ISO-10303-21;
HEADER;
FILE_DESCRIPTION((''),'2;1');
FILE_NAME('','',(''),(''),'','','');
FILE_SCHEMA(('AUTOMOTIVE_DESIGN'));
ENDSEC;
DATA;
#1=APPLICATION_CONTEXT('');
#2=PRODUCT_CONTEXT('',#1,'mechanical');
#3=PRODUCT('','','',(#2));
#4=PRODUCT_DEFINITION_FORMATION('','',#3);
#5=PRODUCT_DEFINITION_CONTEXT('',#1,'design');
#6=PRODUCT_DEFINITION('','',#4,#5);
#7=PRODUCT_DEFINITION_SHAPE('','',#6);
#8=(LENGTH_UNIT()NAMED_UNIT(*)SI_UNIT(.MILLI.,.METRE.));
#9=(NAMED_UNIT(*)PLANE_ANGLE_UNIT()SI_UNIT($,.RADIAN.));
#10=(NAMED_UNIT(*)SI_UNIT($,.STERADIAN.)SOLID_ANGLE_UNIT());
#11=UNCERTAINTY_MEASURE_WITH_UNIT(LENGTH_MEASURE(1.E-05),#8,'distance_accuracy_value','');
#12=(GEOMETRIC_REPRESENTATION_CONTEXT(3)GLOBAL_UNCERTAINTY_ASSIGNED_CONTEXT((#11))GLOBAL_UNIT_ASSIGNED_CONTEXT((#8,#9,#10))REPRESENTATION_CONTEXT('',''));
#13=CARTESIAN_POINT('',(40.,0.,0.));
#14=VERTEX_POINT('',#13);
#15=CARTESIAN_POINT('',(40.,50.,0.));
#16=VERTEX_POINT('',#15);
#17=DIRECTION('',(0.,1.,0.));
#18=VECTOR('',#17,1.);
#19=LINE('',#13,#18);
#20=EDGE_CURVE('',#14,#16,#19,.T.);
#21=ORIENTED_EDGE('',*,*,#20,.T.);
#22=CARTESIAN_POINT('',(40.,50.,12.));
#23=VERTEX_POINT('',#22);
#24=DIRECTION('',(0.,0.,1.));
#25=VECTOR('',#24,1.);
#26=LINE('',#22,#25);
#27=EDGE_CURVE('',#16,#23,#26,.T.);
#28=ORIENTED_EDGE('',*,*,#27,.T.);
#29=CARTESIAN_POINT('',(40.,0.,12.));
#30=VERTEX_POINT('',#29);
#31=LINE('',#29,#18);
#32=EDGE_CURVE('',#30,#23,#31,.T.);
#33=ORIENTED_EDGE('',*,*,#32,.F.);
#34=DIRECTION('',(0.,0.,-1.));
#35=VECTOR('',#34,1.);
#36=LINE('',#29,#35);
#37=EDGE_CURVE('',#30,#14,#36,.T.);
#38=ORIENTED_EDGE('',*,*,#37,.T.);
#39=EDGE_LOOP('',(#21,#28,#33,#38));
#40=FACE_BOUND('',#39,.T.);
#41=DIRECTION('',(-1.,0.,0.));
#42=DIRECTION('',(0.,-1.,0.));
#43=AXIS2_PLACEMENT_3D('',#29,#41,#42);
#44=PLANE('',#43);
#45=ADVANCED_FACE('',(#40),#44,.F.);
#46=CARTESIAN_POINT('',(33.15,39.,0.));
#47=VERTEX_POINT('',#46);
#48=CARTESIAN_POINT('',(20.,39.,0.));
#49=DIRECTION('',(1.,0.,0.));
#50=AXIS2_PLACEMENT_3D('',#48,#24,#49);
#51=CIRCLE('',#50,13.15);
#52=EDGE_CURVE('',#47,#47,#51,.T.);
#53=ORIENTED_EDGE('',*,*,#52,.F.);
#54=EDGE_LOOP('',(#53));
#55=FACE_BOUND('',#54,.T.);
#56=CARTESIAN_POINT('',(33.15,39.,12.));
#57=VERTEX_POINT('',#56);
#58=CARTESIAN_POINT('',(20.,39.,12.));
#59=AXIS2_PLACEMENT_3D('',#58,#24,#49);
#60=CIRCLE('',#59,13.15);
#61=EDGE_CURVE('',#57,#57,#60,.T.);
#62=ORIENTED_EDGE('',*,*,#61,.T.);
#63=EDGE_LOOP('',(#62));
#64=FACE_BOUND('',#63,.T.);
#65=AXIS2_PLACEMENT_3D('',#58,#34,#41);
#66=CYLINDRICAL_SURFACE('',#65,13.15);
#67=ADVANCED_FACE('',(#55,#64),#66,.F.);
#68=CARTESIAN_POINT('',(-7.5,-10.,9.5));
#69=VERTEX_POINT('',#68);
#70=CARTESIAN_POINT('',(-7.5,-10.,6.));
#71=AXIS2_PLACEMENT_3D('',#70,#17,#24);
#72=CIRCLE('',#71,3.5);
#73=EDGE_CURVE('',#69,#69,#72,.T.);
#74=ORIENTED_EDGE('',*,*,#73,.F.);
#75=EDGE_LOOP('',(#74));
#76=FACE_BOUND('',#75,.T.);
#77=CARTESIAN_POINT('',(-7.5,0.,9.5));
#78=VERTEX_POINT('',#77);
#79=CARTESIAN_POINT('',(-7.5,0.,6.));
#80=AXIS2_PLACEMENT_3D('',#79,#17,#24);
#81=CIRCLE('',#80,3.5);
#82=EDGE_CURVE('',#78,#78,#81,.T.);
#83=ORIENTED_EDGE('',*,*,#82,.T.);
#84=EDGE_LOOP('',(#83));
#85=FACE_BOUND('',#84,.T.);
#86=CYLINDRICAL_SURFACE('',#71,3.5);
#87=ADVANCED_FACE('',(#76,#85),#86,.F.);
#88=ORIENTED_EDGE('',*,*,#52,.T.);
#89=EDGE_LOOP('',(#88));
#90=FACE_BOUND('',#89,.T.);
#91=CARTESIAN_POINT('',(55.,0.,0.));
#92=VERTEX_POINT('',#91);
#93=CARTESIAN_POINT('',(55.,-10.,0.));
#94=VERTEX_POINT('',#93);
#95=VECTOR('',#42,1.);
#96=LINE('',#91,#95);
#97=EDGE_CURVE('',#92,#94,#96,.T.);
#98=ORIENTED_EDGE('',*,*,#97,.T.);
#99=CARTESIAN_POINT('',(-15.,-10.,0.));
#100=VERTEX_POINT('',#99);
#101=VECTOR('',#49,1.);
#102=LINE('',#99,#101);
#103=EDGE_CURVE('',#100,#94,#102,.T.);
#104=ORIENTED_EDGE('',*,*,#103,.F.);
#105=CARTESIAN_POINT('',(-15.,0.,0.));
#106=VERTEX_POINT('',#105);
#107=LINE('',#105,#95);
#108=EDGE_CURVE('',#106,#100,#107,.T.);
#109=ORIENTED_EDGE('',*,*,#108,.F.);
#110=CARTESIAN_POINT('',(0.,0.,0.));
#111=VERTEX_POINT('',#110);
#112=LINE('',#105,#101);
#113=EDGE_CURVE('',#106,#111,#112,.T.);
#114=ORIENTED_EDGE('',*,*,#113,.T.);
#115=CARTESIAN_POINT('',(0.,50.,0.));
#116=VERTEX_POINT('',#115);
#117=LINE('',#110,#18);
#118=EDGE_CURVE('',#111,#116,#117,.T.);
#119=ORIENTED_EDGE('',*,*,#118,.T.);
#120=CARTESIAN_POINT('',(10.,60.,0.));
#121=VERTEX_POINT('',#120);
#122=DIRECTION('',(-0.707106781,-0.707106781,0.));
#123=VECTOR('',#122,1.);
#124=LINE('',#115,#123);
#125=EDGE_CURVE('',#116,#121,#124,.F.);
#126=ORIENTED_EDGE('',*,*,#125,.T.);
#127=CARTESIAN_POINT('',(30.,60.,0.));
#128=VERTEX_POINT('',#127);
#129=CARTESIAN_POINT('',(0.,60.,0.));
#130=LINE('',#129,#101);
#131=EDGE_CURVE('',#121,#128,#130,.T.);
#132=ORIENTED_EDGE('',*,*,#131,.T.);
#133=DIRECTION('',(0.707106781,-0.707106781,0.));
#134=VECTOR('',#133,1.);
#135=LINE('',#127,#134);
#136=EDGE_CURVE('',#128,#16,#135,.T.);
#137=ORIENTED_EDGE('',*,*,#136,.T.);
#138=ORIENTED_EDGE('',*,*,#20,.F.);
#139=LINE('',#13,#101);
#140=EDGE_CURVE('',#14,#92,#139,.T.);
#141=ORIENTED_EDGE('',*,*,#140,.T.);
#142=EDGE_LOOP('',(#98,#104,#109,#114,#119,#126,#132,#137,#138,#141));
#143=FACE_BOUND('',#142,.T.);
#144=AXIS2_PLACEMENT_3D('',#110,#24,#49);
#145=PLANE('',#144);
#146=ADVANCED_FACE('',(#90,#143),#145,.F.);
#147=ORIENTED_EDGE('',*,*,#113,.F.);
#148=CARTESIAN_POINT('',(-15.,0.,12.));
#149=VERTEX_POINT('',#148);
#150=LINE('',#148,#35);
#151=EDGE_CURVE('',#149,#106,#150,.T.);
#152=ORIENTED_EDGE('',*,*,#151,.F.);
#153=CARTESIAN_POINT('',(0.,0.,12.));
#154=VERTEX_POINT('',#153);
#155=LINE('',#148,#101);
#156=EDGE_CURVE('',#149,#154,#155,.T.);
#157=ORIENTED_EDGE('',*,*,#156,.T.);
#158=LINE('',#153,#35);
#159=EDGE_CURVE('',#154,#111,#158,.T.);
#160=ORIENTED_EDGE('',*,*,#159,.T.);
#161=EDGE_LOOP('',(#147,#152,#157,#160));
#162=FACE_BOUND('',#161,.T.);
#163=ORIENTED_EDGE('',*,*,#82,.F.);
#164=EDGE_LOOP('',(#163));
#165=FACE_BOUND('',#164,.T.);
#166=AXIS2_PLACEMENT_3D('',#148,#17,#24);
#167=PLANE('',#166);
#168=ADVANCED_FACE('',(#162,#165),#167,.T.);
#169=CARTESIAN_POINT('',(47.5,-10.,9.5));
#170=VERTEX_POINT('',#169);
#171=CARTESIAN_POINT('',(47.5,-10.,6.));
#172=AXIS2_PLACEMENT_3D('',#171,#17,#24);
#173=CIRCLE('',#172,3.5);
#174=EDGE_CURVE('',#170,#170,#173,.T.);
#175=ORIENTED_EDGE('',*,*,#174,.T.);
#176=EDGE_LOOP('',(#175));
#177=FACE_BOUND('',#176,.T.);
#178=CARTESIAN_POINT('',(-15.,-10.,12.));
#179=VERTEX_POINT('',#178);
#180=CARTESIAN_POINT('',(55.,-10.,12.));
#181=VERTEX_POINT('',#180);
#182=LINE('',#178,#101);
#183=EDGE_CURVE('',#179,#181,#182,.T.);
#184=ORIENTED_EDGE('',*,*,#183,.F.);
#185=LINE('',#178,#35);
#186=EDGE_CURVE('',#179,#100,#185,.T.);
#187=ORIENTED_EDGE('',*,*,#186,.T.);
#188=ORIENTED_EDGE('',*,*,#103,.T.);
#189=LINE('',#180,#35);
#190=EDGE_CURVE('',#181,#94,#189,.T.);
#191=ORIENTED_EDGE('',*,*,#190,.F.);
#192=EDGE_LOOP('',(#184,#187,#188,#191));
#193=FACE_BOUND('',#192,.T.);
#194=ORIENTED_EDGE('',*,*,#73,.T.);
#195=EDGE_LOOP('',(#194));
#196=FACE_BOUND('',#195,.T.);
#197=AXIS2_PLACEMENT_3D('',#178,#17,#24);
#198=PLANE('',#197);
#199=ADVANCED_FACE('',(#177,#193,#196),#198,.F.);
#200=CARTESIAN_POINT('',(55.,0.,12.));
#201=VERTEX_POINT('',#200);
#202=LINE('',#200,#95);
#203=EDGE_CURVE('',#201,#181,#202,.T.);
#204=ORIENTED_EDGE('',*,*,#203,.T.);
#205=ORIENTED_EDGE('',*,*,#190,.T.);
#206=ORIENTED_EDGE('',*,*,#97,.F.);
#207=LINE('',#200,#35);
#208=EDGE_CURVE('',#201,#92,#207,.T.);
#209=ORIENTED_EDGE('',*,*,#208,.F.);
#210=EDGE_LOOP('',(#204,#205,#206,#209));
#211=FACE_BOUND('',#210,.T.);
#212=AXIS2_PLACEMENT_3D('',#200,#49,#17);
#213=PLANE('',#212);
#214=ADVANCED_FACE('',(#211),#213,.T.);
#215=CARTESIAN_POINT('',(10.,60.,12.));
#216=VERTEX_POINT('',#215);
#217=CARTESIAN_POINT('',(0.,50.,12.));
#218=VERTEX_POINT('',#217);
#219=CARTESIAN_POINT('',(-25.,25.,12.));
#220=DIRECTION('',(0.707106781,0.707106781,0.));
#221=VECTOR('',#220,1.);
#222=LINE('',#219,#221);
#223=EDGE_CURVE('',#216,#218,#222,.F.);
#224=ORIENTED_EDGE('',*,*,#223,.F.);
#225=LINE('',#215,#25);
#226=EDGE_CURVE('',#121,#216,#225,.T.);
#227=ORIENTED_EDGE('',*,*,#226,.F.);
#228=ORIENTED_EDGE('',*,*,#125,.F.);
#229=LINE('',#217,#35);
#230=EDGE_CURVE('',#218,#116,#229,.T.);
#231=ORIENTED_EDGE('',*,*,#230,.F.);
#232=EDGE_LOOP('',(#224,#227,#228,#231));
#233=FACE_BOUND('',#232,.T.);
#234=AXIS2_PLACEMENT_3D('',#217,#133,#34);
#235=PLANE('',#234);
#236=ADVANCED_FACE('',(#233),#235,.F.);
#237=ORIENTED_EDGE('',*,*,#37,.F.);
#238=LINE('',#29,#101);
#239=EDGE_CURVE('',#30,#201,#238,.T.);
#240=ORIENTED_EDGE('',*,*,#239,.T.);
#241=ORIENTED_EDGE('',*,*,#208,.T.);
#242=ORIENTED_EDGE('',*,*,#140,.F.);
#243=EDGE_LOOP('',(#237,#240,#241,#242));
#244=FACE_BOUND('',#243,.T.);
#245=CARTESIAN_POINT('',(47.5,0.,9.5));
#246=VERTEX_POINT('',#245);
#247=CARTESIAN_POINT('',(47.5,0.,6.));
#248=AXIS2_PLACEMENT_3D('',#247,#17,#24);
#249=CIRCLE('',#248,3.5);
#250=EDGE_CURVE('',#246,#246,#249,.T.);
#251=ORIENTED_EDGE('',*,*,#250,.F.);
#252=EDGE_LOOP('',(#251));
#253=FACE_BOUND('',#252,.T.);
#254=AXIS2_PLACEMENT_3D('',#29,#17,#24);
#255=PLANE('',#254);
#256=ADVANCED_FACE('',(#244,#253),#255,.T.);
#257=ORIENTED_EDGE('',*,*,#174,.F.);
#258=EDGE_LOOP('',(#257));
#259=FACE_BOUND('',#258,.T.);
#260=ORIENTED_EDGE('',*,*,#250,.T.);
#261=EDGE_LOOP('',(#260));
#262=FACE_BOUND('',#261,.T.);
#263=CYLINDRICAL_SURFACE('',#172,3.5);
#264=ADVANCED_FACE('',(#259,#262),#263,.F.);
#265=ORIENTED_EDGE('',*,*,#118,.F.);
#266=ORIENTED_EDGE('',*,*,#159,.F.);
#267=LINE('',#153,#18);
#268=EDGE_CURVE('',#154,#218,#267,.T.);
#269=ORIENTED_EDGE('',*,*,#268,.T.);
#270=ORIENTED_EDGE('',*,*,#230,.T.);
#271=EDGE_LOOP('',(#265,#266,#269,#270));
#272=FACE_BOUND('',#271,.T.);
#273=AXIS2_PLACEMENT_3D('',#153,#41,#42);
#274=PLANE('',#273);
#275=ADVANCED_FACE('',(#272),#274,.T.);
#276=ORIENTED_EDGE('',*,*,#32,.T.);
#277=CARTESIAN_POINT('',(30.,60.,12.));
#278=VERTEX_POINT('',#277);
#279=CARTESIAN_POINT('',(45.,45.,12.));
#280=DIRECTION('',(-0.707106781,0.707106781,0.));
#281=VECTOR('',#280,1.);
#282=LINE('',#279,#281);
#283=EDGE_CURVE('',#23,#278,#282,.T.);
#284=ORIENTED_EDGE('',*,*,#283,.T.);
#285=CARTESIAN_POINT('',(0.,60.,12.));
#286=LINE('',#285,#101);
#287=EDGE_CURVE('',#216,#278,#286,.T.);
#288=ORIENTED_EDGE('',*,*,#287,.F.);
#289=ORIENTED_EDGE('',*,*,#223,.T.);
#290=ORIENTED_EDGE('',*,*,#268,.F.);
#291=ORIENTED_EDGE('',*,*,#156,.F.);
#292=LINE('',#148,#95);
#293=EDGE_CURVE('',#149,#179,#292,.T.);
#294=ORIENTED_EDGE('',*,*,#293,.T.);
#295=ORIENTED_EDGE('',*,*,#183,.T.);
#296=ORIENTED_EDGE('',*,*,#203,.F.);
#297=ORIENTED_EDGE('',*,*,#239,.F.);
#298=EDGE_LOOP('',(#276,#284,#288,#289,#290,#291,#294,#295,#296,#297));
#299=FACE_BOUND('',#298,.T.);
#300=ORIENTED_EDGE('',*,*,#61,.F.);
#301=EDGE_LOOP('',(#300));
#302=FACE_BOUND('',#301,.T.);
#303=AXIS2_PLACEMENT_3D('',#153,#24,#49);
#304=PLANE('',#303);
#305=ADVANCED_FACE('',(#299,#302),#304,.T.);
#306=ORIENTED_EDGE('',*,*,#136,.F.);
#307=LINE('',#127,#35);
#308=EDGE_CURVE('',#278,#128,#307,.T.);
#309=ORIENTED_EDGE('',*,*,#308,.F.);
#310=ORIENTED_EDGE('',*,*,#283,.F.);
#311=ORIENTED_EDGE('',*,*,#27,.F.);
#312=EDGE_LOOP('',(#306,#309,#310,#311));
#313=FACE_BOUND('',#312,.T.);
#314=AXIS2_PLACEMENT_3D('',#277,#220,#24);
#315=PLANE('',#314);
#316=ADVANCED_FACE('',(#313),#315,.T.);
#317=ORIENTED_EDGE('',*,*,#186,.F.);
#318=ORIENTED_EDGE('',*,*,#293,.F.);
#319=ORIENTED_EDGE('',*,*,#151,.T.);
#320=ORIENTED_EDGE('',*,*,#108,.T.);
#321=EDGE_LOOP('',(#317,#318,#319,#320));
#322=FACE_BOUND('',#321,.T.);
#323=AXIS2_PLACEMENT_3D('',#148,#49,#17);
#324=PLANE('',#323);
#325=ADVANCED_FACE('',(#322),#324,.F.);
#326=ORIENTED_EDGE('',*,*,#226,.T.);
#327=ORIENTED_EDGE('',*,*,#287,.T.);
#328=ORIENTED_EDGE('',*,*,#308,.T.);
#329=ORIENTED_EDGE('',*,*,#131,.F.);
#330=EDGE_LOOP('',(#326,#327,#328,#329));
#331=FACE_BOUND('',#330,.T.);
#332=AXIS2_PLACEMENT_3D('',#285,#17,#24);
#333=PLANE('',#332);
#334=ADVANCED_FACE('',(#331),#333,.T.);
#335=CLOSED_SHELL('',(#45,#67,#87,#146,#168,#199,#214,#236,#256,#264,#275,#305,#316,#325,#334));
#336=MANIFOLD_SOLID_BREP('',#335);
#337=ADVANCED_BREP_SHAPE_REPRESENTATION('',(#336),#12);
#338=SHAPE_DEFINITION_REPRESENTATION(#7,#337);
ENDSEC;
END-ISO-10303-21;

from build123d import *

# Parameters (mm, degrees)
SKETCH_1_R          = 13.15
EXTRUDE_1_DEPTH     = 12
SKETCH_2_R          = 3.5
CUT_EXTRUDE_2_DEPTH = 83.273932688
SKETCH_3_R          = 3.5
CUT_EXTRUDE_3_DEPTH = 83.273932688
CHAMFER_1_SIZE      = 10
CHAMFER_2_SIZE      = 10


with BuildPart() as part:
    # 草圖1 → 填料-伸長1 (new body)
    with BuildSketch(Plane.XY):
        Polygon((40, 0), (55, 0), (55, -10), (-15, -10), (-15, 0), (0, 0), (0, 60), (40, 60), align=None)
        with Locations((20, 39)):
            Circle(SKETCH_1_R, mode=Mode.SUBTRACT)
    extrude(amount=EXTRUDE_1_DEPTH)

    # 草圖2 → 除料-伸長2 (cut, through all)
    with BuildSketch(Plane(origin=(0, 0, 0), x_dir=(1, 0, 0), z_dir=(0, 1, 0))):
        with Locations(Location((47.5, -6, 0), (0, 0, 270))):
            Circle(SKETCH_2_R)
    extrude(amount=-CUT_EXTRUDE_2_DEPTH, mode=Mode.SUBTRACT)

    # 草圖3 → 除料-伸長3 (cut, through all)
    with BuildSketch(Plane(origin=(0, 0, 0), x_dir=(1, 0, 0), z_dir=(0, 1, 0))):
        with Locations(Location((-7.5, -6, 0), (0, 0, 270))):
            Circle(SKETCH_3_R)
    extrude(amount=-CUT_EXTRUDE_3_DEPTH, mode=Mode.SUBTRACT)

    # 導角1
    chamfer_1_edges = [part.edges().sort_by_distance(p)[0] for p in [
        (0, 60, 6),
    ]]
    chamfer(chamfer_1_edges, length=CHAMFER_1_SIZE)

    # 導角2
    chamfer_2_edges = [part.edges().sort_by_distance(p)[0] for p in [
        (40, 60, 6),
    ]]
    chamfer(chamfer_2_edges, length=CHAMFER_2_SIZE)


solid = part.part
